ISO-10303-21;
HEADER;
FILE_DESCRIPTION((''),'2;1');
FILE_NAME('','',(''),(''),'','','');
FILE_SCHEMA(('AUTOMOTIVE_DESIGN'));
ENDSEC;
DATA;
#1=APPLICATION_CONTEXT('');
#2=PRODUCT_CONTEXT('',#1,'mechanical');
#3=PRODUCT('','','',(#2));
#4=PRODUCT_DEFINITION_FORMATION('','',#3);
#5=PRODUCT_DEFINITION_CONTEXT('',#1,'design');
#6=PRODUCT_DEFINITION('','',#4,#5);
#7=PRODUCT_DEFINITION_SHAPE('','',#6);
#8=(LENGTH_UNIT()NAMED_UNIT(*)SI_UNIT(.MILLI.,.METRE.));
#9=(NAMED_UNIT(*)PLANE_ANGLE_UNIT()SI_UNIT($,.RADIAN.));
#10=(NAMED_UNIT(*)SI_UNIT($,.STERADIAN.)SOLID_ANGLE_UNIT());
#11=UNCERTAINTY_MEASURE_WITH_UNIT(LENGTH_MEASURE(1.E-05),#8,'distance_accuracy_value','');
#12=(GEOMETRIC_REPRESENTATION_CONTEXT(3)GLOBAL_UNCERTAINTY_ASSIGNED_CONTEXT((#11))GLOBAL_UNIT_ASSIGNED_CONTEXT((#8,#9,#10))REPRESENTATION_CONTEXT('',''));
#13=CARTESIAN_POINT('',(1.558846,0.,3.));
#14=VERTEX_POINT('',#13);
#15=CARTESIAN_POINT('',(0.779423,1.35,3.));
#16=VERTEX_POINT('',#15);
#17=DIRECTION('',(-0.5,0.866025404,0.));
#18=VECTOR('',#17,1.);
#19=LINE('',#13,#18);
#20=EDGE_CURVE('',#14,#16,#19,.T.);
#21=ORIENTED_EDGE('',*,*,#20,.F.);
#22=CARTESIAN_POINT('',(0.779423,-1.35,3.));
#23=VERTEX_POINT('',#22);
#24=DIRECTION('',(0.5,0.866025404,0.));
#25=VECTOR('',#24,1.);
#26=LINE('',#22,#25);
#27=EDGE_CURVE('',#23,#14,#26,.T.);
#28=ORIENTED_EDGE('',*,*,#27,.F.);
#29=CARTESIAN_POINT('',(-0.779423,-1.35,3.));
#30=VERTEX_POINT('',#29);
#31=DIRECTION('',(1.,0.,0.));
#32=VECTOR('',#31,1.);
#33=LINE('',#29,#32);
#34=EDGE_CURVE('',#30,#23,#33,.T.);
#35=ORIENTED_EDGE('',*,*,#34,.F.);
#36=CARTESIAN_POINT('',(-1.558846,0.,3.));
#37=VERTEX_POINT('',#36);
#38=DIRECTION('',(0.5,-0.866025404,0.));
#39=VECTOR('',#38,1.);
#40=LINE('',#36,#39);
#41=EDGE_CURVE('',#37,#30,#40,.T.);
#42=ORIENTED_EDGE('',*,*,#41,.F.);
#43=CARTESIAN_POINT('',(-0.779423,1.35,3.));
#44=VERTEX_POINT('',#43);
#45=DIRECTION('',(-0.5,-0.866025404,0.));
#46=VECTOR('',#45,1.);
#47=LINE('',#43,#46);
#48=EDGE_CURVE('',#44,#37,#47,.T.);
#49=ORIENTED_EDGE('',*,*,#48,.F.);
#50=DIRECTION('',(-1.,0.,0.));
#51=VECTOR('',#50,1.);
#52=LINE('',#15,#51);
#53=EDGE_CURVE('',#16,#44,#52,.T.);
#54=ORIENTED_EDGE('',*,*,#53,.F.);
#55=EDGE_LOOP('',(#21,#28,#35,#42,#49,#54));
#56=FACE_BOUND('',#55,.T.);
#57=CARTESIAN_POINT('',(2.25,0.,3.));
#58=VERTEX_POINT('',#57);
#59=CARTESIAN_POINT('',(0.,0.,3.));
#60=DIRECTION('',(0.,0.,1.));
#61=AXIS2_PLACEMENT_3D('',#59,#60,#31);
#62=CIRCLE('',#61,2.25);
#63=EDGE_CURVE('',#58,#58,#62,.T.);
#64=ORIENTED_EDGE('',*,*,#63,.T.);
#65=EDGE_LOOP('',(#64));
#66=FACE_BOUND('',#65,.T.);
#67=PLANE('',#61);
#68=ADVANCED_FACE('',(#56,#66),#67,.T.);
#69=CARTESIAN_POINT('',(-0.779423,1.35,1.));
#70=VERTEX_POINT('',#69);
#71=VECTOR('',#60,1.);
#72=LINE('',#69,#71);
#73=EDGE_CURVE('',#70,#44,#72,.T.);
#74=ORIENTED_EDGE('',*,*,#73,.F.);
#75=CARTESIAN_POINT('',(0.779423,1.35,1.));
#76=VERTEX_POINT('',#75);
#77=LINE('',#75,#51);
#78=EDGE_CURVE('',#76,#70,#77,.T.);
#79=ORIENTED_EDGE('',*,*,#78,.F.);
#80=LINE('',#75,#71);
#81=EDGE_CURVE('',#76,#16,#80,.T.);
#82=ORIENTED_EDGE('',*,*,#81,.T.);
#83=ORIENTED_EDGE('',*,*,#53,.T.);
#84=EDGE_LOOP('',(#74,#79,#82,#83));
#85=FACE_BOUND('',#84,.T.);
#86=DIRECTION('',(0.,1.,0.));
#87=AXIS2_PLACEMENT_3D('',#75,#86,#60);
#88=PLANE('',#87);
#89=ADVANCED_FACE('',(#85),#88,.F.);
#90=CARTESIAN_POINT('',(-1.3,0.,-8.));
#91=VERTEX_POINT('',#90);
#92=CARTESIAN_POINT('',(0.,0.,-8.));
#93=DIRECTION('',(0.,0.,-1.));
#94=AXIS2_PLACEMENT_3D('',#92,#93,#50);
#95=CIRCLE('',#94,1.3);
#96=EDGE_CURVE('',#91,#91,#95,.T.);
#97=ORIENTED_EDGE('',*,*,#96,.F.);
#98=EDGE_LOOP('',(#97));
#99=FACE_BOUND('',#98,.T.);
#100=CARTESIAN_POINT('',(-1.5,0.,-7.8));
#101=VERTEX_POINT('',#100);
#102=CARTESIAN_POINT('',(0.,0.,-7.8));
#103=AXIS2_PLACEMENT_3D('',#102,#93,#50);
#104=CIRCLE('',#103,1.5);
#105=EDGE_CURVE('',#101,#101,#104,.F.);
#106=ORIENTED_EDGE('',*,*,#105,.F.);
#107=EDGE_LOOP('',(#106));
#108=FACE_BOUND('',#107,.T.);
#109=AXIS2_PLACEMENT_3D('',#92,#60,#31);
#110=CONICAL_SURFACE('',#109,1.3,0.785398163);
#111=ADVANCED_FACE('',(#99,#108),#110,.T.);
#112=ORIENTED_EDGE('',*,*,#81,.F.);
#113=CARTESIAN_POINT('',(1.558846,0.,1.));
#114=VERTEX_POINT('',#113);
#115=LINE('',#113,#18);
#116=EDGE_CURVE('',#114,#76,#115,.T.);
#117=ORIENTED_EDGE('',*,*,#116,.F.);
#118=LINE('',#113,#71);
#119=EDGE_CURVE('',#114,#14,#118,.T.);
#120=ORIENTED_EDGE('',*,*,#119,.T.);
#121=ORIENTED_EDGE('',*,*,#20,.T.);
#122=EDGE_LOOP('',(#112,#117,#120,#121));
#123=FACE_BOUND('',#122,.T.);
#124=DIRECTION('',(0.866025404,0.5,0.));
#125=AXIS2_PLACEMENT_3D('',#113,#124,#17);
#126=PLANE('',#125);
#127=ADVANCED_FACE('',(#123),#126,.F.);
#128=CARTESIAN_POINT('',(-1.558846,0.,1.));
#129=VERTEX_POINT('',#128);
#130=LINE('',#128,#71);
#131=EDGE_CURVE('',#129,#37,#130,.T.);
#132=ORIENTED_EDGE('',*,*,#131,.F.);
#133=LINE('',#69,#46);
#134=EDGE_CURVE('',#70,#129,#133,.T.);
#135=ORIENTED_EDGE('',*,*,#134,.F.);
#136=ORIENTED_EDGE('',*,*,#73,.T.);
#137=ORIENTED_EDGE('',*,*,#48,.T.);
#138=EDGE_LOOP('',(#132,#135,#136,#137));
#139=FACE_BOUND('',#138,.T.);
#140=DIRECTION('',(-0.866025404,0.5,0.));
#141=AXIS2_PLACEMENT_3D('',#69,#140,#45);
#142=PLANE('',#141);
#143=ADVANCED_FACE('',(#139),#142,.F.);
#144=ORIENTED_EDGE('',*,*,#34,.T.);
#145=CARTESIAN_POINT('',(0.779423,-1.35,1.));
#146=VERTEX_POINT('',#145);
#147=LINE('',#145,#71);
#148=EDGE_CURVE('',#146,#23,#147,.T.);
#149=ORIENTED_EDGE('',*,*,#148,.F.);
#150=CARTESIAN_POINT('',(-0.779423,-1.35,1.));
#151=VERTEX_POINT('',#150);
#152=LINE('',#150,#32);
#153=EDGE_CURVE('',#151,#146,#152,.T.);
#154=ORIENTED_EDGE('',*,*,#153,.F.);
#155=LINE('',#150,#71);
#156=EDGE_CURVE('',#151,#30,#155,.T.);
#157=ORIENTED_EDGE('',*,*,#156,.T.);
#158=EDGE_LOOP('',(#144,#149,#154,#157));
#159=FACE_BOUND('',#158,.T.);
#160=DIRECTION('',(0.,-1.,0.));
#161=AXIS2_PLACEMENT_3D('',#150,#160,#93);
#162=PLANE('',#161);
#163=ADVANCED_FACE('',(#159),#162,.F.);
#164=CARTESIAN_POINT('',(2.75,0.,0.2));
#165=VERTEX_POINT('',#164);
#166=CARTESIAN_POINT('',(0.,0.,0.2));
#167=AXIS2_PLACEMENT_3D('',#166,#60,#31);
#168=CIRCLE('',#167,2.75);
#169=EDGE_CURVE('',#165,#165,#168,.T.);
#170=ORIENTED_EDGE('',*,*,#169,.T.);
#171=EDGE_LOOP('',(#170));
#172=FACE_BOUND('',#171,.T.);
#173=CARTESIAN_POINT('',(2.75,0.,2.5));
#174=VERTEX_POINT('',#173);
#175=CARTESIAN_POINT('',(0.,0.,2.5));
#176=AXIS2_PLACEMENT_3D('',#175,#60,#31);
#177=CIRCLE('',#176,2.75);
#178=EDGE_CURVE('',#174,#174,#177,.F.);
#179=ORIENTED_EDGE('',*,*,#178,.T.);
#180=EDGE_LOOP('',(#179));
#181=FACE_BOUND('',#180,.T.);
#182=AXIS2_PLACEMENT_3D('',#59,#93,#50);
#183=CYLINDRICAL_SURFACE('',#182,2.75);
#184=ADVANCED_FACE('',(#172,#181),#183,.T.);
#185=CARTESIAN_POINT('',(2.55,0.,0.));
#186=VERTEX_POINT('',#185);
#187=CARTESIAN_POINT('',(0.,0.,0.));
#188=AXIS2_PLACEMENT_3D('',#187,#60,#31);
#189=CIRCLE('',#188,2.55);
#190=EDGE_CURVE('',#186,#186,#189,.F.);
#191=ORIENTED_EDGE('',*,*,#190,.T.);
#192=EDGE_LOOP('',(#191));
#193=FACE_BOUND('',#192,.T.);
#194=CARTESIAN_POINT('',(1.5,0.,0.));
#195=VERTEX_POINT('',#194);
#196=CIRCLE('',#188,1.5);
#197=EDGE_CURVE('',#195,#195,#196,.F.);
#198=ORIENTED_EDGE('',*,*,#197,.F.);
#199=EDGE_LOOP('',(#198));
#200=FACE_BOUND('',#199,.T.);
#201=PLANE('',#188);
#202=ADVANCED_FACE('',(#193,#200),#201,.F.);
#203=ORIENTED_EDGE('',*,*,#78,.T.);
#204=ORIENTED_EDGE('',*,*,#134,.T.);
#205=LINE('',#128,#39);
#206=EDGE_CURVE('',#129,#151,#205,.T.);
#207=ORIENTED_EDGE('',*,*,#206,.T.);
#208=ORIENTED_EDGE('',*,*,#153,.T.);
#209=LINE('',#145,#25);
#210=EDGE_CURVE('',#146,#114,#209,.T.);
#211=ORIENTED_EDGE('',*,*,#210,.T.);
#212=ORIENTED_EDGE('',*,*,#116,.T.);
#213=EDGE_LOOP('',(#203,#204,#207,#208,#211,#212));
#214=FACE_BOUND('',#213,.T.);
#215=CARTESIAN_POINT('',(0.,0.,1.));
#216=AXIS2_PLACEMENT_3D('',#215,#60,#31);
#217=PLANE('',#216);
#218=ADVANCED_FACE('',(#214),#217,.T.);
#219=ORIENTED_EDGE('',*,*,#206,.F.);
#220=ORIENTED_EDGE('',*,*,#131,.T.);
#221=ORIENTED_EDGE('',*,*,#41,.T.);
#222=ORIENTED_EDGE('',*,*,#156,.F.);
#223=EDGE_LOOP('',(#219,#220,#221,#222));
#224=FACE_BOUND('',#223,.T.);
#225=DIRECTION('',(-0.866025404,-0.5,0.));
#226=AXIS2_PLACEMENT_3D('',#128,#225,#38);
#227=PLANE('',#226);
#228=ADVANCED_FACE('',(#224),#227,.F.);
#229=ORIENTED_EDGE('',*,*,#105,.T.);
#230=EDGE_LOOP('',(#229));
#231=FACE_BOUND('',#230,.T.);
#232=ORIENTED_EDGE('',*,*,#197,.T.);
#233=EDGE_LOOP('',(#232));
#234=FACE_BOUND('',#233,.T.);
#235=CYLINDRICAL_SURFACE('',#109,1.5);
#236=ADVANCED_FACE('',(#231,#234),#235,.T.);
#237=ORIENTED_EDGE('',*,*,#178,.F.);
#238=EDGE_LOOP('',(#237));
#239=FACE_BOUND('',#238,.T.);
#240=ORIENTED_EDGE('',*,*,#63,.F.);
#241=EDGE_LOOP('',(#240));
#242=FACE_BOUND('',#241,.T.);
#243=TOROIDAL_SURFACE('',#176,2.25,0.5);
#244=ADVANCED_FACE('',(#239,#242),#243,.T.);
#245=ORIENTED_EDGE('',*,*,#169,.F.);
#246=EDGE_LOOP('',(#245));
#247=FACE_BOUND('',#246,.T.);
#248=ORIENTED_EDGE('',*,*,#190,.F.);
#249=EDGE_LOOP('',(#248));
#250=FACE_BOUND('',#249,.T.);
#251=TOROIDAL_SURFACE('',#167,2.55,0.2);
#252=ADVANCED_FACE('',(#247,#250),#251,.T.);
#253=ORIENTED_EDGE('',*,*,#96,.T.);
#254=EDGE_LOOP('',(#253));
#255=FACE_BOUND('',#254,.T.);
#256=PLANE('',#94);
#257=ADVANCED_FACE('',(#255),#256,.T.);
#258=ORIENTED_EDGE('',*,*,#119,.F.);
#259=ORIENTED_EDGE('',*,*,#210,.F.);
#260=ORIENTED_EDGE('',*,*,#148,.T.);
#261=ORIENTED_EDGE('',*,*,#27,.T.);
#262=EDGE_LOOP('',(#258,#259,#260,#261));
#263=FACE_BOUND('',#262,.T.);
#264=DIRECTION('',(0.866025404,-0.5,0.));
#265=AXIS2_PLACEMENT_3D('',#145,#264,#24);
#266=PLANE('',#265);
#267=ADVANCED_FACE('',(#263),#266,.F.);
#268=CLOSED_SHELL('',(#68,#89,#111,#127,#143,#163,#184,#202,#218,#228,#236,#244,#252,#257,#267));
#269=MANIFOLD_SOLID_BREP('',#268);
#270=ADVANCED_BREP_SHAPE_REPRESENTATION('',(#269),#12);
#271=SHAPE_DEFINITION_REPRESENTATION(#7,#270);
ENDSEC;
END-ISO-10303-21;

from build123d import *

# Parameters (mm, degrees)
SKETCH_1_R          = 2.75
EXTRUDE_1_DEPTH     = 3
FILLET_1_R          = 0.5
CUT_EXTRUDE_1_DEPTH = 2
SKETCH_3_R          = 1.5
EXTRUDE_2_DEPTH     = 8
CHAMFER_1_SIZE      = 0.2
FILLET_2_R          = 0.2


with BuildPart() as part:
    # 草图1 → 凸台-拉伸1 (new body)
    with BuildSketch(Plane.XY):
        Circle(SKETCH_1_R)
    extrude(amount=EXTRUDE_1_DEPTH)

    # 圆角1
    fillet_1_edges = [part.edges().sort_by_distance(p)[0] for p in [
        (-2.75, 0, 3),
    ]]
    fillet(fillet_1_edges, radius=FILLET_1_R)

    # 草图2 → 切除-拉伸1 (cut)
    with BuildSketch(Plane.XY.offset(3)):
        Polygon((1.558845727, 0), (0.779422863, 1.35), (-0.779422863, 1.35), (-1.558845727, 0), (-0.779422863, -1.35), (0.779422863, -1.35), align=None)
    extrude(amount=-CUT_EXTRUDE_1_DEPTH, mode=Mode.SUBTRACT)

    # 草图3 → 凸台-拉伸2 (add)
    with BuildSketch(Plane(origin=(0, 0, 0), x_dir=(-1, 0, 0), z_dir=(0, 0, -1))):
        Circle(SKETCH_3_R)
    extrude(amount=EXTRUDE_2_DEPTH)

    # 倒角1
    chamfer_1_edges = [part.edges().sort_by_distance(p)[0] for p in [
        (1.5, 0, -8),
    ]]
    chamfer(chamfer_1_edges, length=CHAMFER_1_SIZE)

    # 圆角2
    fillet_2_edges = [part.edges().sort_by_distance(p)[0] for p in [
        (-2.75, 0, 0),
    ]]
    fillet(fillet_2_edges, radius=FILLET_2_R)


solid = part.part
